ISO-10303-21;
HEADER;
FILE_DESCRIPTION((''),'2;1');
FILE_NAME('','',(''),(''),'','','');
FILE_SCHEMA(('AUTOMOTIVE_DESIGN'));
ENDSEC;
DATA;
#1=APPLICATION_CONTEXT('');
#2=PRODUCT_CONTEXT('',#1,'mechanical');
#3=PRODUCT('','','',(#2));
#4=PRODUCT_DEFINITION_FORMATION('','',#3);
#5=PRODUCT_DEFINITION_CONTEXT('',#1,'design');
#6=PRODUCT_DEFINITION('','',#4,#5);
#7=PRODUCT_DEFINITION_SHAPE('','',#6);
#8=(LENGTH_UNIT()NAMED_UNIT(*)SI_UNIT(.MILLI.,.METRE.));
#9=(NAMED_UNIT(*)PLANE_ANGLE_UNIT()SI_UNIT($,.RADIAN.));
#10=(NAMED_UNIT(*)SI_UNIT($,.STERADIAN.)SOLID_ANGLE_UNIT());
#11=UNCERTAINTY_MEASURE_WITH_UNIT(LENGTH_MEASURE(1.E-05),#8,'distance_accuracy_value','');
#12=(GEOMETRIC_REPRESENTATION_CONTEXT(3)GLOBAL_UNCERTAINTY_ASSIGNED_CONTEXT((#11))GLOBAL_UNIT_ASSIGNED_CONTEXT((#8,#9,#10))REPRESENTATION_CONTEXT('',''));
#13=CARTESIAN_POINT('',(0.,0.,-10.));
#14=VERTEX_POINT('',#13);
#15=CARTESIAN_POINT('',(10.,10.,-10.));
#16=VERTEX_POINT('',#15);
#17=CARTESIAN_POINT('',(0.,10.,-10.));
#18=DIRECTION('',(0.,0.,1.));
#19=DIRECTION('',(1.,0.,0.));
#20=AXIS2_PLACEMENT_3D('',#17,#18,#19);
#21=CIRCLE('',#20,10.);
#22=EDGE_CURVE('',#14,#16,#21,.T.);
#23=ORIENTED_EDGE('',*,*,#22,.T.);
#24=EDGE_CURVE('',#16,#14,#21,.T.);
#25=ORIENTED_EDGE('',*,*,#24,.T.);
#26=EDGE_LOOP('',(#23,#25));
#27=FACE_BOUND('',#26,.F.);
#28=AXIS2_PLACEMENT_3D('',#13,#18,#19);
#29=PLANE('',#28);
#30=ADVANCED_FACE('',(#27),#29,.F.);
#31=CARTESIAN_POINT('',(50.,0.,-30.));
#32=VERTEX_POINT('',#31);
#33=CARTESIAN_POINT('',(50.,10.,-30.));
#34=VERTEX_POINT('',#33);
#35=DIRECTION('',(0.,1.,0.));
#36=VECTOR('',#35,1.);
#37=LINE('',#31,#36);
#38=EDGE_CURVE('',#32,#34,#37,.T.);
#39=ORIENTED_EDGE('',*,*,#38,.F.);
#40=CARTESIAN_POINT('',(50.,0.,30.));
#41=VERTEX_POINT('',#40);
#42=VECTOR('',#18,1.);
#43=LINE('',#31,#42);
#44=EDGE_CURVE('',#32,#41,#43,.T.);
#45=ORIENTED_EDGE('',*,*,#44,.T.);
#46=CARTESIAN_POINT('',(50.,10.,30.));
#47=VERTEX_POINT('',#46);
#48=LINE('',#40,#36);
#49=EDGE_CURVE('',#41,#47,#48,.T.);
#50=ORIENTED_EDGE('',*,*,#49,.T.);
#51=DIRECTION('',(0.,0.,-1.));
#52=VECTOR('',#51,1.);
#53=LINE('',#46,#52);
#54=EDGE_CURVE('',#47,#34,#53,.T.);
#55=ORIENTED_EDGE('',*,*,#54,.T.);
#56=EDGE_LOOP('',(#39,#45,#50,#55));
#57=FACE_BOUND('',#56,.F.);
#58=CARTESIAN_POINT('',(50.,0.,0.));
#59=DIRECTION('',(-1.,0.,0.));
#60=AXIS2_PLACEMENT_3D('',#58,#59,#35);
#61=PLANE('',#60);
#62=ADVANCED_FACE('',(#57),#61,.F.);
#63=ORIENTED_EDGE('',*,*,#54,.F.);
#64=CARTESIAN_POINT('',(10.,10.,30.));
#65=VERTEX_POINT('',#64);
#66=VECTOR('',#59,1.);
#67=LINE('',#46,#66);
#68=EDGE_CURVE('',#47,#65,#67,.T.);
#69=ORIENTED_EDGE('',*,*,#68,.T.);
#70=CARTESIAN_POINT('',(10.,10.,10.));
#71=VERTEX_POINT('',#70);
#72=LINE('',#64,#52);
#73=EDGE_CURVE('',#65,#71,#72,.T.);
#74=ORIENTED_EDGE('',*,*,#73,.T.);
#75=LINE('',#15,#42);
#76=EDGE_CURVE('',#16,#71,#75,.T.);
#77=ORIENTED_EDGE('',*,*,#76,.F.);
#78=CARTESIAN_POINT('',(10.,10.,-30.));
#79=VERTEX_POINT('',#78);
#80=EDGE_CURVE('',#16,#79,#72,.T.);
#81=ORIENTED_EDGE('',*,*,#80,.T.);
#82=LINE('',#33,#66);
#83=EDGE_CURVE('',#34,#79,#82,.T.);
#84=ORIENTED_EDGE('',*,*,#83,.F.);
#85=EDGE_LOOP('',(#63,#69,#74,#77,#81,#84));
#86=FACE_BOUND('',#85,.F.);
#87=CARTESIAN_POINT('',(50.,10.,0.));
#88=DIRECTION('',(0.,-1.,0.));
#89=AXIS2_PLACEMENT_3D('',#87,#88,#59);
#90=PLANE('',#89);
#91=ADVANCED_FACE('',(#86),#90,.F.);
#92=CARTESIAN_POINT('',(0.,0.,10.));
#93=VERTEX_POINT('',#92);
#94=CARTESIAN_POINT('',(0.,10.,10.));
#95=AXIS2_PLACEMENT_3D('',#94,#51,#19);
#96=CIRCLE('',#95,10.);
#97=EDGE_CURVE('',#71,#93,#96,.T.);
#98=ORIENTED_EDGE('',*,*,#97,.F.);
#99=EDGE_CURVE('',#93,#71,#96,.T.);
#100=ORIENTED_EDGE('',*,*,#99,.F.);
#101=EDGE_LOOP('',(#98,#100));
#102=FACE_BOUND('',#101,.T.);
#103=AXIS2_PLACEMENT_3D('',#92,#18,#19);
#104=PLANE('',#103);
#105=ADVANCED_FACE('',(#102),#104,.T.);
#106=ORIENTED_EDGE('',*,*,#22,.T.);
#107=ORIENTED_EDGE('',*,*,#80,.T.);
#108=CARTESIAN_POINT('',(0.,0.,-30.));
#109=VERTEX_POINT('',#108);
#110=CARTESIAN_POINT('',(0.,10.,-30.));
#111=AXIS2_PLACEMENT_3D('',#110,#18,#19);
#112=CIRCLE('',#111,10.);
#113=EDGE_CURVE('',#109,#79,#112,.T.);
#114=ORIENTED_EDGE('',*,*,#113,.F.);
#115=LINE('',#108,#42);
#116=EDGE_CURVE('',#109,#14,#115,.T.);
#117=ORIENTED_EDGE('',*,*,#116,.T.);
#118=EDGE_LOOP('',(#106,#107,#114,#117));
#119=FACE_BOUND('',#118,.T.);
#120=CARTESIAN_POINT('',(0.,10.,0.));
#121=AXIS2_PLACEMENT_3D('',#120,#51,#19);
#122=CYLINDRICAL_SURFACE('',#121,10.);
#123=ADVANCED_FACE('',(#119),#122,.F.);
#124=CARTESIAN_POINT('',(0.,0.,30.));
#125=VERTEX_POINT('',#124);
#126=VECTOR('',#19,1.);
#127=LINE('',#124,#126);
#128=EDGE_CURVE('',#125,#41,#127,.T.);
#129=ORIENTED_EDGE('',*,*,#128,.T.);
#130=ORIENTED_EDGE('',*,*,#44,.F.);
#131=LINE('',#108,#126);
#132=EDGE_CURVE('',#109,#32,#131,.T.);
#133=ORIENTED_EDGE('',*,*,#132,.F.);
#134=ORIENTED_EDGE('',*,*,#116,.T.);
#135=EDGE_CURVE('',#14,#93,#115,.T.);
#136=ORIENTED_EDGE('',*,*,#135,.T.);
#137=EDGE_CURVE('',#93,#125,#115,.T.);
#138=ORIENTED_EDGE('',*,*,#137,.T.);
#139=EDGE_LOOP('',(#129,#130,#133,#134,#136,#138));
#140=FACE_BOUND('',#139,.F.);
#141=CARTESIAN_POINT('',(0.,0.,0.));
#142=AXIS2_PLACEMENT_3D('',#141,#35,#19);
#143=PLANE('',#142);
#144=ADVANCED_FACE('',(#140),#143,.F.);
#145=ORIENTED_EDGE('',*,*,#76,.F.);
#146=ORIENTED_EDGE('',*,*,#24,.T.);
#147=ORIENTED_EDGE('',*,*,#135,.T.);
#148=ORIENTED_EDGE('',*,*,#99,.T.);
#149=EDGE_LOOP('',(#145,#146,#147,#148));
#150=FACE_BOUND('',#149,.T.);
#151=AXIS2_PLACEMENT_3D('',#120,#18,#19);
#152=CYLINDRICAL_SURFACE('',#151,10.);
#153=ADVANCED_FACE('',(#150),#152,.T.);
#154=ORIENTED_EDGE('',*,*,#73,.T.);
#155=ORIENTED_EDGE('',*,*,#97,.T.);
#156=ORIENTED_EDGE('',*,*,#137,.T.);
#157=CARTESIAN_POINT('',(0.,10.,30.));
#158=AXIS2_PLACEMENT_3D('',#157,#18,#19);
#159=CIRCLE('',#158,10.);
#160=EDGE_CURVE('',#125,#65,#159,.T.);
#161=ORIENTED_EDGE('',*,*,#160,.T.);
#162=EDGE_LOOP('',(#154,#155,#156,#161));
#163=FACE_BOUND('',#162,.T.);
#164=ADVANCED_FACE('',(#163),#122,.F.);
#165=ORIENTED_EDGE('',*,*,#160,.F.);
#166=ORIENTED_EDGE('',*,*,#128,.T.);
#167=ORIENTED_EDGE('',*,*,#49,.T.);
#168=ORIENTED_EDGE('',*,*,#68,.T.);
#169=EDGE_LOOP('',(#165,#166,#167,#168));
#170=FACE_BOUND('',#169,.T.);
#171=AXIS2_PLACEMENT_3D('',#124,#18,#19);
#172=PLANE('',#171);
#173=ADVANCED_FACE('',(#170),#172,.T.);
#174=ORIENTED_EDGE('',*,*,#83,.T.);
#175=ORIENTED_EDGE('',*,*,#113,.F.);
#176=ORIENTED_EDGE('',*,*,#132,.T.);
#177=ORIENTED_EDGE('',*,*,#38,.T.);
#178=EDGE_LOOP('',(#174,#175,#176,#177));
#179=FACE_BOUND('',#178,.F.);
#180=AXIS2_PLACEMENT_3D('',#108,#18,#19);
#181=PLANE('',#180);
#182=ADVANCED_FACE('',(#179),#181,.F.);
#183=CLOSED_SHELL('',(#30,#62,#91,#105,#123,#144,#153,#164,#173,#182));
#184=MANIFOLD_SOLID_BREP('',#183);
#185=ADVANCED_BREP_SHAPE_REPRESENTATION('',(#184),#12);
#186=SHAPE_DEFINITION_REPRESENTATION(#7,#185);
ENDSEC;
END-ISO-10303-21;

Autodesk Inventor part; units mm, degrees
ref_plane "YZ Plane" through (0, 0, 0) normal (1, 0, 0) x (0, 1, 0)
ref_plane "XZ Plane" through (0, 0, 0) normal (0, 1, 0) x (-1, 0, 0)
ref_plane "XY Plane" through (0, 0, 0) normal (0, 0, 1) x (1, 0, 0)
sketch "Sketch1" plane through (0, 0, 0) normal (0, 0, 1) x (1, 0, 0)
  line L0 (0, 0) -> (50, 0)
  line L1 (50, 0) -> (50, 10)
  line L2 (50, 10) -> (0, 10)
  line L3 (0, 10) -> (0, 0)
  circle A0 centre (0, 10) radius 10
  point P0 (5, 10)
  point P1 (10, 10)
  point P2 (0, 0)
  dimension "d0" = 50
  dimension "d1" = 10
  dimension "d2" = 20
  dimension "d3" = 0
  dimension "d7" = 0
extrude "Extrusion1" add sketch "Sketch1" along normal mid plane 60 contours A0 L2 L1 L0
extrude "Extrusion2" add sketch "Sketch1" against normal mid plane 20 contours A0 L2 L3 | L3 L2 A0
properties part number "right_hinge"
